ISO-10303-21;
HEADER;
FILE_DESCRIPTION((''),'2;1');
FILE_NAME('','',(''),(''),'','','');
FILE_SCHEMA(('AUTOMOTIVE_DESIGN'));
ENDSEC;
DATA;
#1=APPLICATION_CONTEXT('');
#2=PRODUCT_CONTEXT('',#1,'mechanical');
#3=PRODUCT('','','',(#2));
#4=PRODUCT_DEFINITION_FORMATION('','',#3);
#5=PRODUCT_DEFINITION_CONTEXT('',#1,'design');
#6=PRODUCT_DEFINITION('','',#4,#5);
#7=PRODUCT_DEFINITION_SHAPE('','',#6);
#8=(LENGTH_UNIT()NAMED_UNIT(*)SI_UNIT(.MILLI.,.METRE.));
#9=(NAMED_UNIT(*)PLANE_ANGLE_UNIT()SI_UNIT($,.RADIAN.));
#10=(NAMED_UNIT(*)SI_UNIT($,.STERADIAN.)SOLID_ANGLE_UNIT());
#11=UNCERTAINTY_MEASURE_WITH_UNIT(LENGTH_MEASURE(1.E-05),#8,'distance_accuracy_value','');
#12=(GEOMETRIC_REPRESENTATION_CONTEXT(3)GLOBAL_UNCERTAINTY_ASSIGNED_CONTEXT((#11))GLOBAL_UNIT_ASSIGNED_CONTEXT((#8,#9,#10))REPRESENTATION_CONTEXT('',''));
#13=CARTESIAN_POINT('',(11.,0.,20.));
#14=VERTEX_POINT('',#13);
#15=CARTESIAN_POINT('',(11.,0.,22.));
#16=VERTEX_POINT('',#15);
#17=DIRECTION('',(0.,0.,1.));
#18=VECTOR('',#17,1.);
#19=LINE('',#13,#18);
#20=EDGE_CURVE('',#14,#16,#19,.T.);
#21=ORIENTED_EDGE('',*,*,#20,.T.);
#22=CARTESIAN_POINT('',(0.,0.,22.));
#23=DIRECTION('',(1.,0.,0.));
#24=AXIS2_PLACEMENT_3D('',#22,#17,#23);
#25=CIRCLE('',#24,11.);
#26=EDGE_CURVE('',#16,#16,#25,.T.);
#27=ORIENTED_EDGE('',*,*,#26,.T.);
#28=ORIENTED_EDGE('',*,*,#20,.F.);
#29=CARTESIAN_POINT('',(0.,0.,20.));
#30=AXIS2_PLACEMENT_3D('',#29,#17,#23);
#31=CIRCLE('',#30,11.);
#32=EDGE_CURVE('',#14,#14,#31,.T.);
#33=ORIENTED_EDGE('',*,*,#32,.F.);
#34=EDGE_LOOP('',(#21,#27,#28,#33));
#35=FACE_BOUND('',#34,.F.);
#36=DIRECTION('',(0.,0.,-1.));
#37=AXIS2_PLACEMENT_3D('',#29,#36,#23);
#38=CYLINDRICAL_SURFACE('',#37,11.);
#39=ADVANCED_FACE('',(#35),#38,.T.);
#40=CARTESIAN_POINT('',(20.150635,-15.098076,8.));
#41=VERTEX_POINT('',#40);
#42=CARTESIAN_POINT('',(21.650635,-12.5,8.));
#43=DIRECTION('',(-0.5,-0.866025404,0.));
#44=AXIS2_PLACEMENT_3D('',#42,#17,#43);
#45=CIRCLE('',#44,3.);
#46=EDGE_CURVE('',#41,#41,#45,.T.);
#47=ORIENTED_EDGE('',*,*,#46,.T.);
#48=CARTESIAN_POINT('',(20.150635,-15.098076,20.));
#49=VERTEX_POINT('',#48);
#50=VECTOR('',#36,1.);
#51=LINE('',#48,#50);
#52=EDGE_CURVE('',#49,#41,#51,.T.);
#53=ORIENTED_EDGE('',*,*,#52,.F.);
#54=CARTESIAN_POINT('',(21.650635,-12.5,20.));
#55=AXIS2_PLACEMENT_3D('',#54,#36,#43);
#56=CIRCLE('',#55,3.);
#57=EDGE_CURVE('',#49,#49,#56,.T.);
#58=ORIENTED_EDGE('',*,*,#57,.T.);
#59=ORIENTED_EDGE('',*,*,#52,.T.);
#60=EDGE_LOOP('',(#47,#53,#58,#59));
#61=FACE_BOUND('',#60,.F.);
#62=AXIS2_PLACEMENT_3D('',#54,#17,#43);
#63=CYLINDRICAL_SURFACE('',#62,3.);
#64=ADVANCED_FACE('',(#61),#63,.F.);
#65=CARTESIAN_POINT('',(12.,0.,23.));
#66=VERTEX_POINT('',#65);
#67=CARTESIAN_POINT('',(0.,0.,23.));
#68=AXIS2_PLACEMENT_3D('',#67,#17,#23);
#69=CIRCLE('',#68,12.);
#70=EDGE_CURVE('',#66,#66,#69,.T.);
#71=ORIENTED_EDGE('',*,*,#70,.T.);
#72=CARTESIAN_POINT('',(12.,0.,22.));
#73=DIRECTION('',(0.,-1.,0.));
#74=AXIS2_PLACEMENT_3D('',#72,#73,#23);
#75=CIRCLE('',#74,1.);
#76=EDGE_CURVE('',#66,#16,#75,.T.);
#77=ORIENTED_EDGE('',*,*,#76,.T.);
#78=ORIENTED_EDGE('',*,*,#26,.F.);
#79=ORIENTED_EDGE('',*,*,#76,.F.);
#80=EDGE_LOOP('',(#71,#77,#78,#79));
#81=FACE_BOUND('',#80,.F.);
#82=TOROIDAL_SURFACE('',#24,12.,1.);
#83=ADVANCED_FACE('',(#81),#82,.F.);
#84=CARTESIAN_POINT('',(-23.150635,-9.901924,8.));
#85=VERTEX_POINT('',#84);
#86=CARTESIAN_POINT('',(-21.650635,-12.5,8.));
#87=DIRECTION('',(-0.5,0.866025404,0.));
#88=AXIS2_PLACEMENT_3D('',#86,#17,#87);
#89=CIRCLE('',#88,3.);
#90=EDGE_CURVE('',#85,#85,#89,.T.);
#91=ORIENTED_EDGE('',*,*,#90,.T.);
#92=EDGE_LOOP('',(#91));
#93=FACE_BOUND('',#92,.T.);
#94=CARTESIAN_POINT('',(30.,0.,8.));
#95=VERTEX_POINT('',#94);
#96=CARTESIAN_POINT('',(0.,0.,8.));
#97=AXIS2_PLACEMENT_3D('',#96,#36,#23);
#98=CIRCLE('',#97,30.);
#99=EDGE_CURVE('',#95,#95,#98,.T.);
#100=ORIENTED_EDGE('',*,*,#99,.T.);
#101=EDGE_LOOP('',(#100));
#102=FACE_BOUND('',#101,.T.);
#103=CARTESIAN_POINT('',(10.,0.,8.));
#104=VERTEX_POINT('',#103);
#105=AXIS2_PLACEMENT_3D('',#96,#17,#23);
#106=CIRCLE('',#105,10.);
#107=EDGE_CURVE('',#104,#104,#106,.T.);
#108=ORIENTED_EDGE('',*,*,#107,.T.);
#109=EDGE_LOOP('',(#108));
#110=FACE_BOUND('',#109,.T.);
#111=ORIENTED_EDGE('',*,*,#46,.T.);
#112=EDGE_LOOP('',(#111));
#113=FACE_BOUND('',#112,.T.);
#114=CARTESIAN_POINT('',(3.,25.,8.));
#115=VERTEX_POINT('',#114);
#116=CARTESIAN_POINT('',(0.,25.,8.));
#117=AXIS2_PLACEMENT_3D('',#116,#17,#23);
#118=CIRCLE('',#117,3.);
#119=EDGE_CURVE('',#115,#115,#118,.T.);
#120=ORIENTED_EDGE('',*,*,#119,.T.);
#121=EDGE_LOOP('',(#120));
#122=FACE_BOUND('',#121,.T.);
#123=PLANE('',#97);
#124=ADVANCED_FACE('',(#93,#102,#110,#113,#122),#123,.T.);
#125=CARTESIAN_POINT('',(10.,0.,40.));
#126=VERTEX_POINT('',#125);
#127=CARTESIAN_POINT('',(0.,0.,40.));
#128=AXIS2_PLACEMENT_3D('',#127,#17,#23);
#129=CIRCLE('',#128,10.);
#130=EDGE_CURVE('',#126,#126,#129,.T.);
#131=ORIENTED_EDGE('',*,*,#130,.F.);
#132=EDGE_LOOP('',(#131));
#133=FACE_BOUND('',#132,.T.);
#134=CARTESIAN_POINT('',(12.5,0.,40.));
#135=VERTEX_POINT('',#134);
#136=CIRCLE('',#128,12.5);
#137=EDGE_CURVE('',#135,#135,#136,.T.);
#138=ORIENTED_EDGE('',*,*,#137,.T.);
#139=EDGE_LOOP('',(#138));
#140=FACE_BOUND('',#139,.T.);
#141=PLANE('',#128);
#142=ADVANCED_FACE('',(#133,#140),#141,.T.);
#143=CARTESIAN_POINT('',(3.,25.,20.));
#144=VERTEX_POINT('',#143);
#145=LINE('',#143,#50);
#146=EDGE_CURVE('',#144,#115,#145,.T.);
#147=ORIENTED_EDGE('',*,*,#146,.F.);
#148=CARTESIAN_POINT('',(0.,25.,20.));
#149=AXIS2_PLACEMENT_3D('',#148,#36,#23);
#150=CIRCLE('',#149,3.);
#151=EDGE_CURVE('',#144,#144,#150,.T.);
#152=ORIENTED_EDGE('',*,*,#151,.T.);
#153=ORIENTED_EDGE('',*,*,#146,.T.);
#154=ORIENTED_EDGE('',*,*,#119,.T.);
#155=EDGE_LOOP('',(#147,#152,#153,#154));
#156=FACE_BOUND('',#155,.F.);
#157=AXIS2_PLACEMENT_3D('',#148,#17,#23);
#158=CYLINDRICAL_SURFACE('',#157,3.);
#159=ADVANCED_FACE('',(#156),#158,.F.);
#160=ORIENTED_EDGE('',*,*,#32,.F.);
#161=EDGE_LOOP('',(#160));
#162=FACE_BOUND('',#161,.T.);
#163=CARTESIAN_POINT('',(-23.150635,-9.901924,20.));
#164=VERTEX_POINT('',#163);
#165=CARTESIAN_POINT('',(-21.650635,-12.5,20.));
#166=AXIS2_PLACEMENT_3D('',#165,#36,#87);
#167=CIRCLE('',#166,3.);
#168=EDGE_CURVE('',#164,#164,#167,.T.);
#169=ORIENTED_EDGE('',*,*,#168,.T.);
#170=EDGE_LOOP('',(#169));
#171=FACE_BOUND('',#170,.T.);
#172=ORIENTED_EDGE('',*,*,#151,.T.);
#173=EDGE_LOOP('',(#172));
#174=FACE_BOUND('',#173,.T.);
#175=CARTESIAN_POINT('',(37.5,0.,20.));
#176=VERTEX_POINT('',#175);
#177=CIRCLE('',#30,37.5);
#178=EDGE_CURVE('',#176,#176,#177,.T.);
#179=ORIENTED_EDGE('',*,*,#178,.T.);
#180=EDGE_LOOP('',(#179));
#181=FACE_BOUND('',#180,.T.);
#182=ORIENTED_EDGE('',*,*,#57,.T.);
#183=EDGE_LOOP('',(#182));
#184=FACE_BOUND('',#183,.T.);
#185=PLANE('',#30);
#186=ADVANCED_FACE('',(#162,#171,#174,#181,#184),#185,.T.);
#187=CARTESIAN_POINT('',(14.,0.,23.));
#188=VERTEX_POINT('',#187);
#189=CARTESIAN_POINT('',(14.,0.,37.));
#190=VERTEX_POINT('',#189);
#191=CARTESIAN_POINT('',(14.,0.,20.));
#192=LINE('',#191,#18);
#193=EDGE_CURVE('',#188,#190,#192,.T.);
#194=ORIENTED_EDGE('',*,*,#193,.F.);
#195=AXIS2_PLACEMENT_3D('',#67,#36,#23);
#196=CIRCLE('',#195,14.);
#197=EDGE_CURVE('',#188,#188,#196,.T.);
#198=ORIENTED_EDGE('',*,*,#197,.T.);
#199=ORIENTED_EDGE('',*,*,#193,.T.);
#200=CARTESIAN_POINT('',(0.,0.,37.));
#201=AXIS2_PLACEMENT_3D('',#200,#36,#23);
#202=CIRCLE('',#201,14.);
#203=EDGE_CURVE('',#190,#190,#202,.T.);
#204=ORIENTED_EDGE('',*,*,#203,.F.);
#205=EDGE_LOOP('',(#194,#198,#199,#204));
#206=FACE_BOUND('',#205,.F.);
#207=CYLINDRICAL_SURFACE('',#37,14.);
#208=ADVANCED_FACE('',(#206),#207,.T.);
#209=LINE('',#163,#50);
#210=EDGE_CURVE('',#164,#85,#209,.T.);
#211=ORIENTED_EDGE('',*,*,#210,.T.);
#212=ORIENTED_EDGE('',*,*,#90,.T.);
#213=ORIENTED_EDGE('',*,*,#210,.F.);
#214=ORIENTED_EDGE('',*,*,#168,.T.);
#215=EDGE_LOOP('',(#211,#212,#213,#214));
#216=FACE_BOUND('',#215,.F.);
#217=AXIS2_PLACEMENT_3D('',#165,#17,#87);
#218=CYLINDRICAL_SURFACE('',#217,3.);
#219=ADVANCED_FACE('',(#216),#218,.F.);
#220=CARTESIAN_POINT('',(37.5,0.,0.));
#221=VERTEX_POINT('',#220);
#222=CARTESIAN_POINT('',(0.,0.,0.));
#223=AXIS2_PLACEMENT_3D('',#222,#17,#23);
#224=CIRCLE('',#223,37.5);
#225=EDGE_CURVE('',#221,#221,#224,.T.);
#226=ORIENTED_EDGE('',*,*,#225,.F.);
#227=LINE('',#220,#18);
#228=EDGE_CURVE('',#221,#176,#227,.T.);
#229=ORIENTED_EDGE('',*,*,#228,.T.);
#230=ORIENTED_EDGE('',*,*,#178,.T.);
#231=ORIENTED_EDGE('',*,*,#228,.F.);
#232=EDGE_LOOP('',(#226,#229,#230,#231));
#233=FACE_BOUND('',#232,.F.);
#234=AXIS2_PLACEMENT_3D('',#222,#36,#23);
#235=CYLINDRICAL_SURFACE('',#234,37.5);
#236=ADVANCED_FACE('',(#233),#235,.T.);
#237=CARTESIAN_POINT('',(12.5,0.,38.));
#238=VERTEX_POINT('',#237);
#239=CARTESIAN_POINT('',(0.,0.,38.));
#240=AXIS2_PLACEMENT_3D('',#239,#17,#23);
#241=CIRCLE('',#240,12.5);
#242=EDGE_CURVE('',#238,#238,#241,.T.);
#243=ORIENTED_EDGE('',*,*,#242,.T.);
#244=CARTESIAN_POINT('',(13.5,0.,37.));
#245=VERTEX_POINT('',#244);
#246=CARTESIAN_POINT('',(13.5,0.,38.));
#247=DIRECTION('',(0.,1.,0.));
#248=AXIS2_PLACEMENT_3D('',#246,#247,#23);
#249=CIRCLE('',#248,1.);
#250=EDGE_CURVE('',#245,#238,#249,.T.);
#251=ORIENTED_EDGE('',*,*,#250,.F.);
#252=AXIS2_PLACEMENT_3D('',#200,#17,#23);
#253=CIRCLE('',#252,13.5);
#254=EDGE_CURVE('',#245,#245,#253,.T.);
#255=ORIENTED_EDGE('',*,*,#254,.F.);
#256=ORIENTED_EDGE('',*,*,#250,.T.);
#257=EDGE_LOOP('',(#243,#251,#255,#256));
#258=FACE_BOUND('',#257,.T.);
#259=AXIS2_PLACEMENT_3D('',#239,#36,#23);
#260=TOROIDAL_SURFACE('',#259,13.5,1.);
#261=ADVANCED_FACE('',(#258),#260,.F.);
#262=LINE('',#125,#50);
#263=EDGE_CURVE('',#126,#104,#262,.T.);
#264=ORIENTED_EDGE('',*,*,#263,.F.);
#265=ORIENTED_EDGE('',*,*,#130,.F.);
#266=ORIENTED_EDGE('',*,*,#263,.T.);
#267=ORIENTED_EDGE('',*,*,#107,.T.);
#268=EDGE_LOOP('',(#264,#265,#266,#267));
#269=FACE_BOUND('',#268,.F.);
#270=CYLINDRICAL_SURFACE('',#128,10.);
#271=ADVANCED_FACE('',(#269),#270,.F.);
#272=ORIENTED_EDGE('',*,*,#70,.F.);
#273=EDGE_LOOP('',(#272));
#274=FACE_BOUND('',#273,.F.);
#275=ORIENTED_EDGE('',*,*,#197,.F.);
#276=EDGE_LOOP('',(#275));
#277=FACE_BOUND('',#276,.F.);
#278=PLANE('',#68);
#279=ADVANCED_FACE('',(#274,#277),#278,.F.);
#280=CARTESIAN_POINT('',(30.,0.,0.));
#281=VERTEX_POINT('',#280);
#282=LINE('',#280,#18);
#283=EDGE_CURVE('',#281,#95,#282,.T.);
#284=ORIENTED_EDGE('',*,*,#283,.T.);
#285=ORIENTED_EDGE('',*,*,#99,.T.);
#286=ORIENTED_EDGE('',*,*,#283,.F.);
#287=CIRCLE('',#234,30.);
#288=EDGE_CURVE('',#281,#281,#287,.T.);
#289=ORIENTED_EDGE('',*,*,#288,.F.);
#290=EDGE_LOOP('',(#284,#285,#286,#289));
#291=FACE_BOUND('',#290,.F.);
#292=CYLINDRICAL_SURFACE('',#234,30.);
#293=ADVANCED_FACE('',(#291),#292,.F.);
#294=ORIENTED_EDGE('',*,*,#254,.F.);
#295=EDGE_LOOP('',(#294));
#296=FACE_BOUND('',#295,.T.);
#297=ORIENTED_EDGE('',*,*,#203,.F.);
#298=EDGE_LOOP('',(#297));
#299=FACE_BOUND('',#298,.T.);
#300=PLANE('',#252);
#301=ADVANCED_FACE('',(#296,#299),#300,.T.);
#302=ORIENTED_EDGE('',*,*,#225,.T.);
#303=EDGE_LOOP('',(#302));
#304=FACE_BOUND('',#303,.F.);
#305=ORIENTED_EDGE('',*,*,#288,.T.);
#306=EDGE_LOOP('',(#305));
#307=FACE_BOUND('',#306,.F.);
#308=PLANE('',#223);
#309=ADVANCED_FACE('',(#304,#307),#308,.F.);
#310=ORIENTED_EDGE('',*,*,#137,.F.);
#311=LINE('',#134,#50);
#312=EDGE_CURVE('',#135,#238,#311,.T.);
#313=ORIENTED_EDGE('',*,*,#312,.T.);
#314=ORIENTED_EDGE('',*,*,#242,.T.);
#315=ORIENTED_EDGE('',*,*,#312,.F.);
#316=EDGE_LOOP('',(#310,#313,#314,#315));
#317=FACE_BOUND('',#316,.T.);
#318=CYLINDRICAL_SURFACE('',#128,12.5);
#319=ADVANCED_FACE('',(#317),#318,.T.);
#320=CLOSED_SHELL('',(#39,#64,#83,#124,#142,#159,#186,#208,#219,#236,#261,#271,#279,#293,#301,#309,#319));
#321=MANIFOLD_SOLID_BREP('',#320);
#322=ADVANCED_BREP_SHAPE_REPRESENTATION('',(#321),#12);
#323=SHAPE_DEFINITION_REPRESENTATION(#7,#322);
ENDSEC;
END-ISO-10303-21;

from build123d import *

# Parameters (mm, degrees)
SKETCH004_R        = 24.41662
SKETCH004_R_2      = 11
PAD002_DEPTH       = 3
SKETCH_R           = 37.5
PAD_DEPTH          = 20
SKETCH001_R        = 30
POCKET_DEPTH       = 8
SKETCH002_R        = 3
POCKET001_DEPTH    = 235.871331
POLARPATTERN_COUNT = 3
SKETCH003_R        = 14
PAD001_DEPTH       = 20
SKETCH005_R        = 10
POCKET002_DEPTH    = 40.001
SKETCH006_R        = 20.656229
SKETCH006_R_2      = 12.5
POCKET003_DEPTH    = 3
FILLET_R           = 1
FILLET001_R        = 1


with BuildPart() as pad002:
    # Sketch004 → Pad002 (new body)
    with BuildSketch(Plane.XY.offset(20)):
        Circle(SKETCH004_R)
        Circle(SKETCH004_R_2, mode=Mode.SUBTRACT)
    extrude(amount=PAD002_DEPTH)


with BuildPart() as fillet001:
    # Sketch → Pad (new body)
    with BuildSketch(Plane.XY):
        Circle(SKETCH_R)
    extrude(amount=PAD_DEPTH)

    # Sketch001 → Pocket (cut)
    with BuildSketch(Plane(origin=(0, 0, 0), x_dir=(1, 0, 0), z_dir=(0, 0, -1))):
        Circle(SKETCH001_R)
    extrude(amount=-POCKET_DEPTH, mode=Mode.SUBTRACT)

    # Sketch002 → Pocket001 (cut, through all)
    with BuildSketch(Plane.XY.offset(20)):
        with Locations((0, 25)):
            Circle(SKETCH002_R)
    pocket001 = extrude(amount=-POCKET001_DEPTH, mode=Mode.SUBTRACT)

    # PolarPattern: Pocket001 ×3 about axis
    polarpattern_axis = Axis((0, 0, 20), (0, 0, 1))
    for i in range(1, POLARPATTERN_COUNT):
        add(pocket001.rotate(polarpattern_axis, i * 360 / POLARPATTERN_COUNT), mode=Mode.SUBTRACT)

    # Sketch003 → Pad001 (new body)
    with BuildSketch(Plane.XY.offset(20)):
        Circle(SKETCH003_R)
    extrude(amount=PAD001_DEPTH)

    # Cut: cut Pad002
    add(pad002.part, mode=Mode.SUBTRACT)

    # Sketch005 → Pocket002 (cut, through all)
    with BuildSketch(Plane.XY.offset(40)):
        Circle(SKETCH005_R)
    extrude(amount=-POCKET002_DEPTH, mode=Mode.SUBTRACT)

    # Sketch006 → Pocket003 (cut)
    with BuildSketch(Plane.XY.offset(40)):
        Circle(SKETCH006_R)
        Circle(SKETCH006_R_2, mode=Mode.SUBTRACT)
    extrude(amount=-POCKET003_DEPTH, mode=Mode.SUBTRACT)

    # Fillet
    fillet_edges = [fillet001.edges().sort_by_distance(p)[0] for p in [
        (-12.5, 0, 37),
    ]]
    fillet(fillet_edges, radius=FILLET_R)

    # Fillet001
    fillet001_edges = [fillet001.edges().sort_by_distance(p)[0] for p in [
        (-11, 0, 23),
    ]]
    fillet(fillet001_edges, radius=FILLET001_R)


solid = fillet001.part
